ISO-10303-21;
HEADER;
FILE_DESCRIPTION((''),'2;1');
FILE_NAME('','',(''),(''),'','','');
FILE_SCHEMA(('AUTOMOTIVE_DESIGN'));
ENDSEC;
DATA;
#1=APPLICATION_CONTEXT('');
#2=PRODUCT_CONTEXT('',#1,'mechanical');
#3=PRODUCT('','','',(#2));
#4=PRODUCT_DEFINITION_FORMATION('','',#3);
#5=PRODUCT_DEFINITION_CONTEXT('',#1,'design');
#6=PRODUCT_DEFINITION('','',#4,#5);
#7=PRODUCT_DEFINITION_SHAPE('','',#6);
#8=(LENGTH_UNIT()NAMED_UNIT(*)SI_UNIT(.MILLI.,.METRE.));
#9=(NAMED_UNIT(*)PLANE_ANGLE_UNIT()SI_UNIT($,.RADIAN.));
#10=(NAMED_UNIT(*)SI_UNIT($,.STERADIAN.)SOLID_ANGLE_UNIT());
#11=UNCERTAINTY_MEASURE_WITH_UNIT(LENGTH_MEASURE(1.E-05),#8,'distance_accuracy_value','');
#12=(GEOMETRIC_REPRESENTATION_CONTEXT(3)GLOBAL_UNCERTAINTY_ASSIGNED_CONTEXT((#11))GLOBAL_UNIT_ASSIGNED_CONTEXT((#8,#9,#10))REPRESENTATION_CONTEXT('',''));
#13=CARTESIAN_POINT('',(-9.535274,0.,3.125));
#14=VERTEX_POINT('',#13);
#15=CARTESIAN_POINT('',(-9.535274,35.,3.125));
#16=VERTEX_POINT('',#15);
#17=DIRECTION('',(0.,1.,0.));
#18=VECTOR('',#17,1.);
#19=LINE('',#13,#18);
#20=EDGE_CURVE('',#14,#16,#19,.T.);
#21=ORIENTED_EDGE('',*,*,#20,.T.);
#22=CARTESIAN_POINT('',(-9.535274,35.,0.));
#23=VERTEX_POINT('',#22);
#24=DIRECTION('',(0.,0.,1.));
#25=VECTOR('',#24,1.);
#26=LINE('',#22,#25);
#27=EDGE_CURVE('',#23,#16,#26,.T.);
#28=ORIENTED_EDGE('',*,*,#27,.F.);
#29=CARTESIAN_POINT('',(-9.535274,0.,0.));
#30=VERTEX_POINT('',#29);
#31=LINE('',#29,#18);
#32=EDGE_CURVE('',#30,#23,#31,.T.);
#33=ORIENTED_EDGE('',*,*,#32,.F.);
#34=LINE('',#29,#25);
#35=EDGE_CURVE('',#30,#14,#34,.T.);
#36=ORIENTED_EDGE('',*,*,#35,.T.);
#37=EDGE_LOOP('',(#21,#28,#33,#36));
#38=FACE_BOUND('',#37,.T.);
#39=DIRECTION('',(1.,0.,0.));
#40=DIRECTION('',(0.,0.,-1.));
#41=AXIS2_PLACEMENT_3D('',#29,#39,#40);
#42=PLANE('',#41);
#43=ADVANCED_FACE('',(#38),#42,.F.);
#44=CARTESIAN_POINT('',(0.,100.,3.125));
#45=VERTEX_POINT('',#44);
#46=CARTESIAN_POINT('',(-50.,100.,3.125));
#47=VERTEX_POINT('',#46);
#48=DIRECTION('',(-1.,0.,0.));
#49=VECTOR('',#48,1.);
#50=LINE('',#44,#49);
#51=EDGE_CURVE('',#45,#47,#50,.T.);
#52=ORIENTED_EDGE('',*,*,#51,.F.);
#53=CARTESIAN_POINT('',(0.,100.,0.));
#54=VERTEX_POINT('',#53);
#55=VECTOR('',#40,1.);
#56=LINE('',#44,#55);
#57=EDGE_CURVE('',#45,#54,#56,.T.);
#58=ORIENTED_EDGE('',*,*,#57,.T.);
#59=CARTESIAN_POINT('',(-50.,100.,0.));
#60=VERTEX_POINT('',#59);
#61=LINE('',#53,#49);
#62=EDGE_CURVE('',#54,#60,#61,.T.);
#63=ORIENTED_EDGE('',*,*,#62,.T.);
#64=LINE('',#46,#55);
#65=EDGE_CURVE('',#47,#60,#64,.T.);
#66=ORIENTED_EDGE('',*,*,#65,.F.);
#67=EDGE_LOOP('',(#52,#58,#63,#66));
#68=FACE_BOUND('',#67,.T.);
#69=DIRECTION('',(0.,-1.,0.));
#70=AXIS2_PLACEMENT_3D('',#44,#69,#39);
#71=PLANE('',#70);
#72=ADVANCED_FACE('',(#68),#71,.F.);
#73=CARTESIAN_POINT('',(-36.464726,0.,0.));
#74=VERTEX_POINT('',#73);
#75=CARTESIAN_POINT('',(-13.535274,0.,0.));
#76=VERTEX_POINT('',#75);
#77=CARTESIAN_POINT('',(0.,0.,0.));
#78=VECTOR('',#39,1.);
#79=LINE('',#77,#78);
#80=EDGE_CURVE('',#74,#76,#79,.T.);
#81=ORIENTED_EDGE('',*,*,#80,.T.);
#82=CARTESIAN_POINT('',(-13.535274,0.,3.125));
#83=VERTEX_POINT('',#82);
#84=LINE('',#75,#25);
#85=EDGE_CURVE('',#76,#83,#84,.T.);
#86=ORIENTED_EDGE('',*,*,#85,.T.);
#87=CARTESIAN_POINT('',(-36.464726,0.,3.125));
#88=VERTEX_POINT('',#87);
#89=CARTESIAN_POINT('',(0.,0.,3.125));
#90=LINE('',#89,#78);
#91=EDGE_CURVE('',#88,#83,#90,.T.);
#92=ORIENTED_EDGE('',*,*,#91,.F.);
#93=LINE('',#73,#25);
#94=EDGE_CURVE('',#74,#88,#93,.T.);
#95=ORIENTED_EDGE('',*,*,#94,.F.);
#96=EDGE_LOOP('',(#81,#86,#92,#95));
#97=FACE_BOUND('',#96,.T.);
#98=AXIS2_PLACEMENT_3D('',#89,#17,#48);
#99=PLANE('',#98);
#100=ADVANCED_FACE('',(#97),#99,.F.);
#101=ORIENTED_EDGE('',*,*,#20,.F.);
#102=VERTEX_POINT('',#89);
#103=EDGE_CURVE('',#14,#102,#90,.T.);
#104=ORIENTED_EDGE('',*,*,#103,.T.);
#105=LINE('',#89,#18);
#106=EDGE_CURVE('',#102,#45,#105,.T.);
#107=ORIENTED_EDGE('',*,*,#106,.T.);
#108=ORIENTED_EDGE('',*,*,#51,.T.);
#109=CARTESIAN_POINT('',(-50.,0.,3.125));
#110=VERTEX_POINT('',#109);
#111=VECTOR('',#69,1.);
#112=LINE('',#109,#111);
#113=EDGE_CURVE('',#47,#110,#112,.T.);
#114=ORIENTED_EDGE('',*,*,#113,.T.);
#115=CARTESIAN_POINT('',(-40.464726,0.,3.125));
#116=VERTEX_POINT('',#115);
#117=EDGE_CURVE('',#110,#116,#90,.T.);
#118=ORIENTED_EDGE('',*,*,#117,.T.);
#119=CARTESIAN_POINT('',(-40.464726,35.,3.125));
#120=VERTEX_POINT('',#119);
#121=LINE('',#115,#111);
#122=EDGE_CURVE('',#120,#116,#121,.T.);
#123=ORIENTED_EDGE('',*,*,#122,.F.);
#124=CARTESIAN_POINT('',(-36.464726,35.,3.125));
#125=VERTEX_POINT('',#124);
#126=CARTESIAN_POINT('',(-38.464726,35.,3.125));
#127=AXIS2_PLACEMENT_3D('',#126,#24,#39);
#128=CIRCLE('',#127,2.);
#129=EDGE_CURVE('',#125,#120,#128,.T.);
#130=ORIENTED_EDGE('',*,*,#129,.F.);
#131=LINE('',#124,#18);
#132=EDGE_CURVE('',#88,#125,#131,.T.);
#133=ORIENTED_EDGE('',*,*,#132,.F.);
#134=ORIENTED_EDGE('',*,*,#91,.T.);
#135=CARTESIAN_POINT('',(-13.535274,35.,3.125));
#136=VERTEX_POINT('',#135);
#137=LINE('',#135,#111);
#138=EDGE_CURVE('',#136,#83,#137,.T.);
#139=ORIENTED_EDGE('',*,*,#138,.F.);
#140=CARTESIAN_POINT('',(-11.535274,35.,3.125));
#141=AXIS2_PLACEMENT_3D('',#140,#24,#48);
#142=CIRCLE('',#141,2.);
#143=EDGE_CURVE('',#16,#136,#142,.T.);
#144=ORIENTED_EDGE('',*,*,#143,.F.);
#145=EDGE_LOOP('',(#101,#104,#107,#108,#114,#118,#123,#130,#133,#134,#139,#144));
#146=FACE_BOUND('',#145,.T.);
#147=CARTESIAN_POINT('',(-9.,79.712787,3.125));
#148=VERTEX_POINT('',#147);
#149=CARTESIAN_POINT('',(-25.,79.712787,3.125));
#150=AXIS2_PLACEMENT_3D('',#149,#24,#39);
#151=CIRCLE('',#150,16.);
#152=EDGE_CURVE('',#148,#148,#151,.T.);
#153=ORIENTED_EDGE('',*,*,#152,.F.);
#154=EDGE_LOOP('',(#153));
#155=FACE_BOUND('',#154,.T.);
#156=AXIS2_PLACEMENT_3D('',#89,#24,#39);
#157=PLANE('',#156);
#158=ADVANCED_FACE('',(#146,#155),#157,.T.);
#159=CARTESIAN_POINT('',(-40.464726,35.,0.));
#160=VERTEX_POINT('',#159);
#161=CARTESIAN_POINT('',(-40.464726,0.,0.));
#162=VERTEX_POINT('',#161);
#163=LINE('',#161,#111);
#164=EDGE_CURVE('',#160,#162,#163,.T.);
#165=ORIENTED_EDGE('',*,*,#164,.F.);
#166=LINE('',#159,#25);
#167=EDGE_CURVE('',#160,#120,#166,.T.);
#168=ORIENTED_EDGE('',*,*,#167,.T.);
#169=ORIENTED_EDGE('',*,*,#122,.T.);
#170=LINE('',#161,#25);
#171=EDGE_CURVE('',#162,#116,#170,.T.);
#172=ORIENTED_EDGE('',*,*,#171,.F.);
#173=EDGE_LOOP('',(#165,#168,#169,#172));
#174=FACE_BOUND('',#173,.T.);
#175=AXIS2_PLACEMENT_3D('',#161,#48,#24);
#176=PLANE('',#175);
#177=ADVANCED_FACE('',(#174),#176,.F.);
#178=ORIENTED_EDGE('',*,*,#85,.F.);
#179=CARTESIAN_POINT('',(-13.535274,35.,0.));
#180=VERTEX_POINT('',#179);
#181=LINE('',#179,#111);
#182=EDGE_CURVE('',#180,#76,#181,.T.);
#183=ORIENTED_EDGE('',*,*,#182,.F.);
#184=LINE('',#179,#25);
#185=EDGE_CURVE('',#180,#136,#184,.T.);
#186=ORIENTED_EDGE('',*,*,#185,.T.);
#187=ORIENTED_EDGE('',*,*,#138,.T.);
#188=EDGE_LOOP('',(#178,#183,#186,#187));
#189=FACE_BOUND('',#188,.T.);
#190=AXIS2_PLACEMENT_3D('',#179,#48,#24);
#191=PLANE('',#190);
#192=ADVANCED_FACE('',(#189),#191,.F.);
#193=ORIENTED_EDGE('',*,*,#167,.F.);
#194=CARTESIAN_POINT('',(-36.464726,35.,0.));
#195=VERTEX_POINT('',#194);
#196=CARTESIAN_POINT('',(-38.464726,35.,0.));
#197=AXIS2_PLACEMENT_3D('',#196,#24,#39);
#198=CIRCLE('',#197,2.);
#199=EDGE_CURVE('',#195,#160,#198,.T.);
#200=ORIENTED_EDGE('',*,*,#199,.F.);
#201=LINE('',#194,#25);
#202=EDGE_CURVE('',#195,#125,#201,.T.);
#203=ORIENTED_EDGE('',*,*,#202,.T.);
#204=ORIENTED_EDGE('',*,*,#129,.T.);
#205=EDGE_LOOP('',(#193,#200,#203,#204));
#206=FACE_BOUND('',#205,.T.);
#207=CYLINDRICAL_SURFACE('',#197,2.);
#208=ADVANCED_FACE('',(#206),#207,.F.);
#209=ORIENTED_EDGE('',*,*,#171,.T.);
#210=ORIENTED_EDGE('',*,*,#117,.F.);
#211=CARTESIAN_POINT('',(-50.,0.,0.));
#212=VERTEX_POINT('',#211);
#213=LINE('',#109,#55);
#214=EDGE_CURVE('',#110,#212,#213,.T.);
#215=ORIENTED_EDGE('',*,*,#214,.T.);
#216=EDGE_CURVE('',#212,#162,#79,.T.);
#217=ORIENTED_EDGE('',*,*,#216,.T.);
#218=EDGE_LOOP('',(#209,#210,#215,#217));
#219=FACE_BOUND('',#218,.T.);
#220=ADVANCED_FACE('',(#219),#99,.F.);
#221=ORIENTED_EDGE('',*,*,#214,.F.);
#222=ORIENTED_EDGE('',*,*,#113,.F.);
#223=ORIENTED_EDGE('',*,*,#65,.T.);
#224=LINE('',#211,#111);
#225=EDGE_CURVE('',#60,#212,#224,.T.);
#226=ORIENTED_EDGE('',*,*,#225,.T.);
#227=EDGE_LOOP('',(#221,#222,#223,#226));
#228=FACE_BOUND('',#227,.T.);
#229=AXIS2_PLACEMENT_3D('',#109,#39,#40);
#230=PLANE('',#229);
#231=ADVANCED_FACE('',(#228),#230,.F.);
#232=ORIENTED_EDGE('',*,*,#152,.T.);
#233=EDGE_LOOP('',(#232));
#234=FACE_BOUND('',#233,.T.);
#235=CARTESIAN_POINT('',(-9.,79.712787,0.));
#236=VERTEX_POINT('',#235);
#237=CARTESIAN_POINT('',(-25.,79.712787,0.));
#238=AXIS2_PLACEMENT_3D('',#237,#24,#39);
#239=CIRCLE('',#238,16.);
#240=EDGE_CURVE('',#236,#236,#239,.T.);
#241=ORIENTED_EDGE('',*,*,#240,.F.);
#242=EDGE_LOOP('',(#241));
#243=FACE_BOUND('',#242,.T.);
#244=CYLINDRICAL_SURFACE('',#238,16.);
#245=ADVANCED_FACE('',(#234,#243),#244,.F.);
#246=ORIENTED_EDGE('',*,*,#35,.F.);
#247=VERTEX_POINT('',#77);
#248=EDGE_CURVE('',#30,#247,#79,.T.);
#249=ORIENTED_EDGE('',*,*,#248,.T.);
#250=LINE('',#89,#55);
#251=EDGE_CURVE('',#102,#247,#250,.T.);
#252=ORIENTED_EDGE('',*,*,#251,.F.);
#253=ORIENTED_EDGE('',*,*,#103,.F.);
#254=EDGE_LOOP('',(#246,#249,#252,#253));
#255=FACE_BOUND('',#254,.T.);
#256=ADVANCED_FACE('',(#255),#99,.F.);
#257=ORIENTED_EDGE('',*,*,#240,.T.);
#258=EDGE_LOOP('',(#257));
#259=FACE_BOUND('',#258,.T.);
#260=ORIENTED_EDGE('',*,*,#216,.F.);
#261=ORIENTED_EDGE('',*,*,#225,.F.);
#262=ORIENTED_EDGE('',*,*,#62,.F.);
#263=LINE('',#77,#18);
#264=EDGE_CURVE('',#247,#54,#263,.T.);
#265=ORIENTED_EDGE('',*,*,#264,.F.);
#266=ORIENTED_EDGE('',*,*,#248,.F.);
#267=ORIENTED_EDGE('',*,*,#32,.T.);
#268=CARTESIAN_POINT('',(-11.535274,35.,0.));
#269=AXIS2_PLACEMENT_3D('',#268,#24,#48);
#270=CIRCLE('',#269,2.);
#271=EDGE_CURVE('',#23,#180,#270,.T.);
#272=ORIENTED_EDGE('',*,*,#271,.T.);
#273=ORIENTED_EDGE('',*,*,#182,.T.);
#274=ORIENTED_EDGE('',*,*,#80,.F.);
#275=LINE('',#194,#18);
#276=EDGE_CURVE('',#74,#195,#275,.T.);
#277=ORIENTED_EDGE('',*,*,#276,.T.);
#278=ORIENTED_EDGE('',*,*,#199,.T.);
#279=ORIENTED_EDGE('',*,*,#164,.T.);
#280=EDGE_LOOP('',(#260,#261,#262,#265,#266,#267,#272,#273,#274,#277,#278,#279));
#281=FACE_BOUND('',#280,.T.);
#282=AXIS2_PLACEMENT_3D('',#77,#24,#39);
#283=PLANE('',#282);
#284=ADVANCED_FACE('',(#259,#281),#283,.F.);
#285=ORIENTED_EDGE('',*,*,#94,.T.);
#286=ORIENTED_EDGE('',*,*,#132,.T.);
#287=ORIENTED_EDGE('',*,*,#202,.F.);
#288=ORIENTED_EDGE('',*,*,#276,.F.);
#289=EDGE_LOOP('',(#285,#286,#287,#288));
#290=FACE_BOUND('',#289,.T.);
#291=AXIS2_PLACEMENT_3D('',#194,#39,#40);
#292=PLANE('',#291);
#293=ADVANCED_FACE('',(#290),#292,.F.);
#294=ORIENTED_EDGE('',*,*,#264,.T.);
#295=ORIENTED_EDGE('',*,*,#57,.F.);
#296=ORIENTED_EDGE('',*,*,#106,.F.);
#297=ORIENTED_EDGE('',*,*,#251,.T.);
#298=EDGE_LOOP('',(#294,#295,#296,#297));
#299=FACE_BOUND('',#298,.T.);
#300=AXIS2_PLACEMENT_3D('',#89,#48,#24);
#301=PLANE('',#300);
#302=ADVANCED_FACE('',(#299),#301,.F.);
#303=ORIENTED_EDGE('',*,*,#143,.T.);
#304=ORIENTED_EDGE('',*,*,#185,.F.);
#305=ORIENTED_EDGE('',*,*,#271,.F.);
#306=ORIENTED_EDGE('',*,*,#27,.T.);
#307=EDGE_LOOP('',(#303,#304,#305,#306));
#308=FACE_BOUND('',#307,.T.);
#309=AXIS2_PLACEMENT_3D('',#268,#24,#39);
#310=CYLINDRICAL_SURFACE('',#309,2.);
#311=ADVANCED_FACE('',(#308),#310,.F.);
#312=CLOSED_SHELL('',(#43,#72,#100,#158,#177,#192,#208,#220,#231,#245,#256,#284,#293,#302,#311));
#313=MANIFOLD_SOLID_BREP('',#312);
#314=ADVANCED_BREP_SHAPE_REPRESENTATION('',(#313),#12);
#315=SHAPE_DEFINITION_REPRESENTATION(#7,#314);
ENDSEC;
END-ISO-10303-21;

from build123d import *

# Parameters (mm, degrees)
ESBO_O1_W                = 50
ESBO_O1_H                = 100
RESSALTO_EXTRUS_O1_DEPTH = 3.125
ESBO_O2_R                = 16
CORTE_EXTRUS_O1_DEPTH    = 3.125


with BuildPart() as part:
    # Esboço1 → Ressalto-extrusão1 (new body)
    with BuildSketch(Plane.XY):
        with Locations((-25, 50)):
            Rectangle(ESBO_O1_W, ESBO_O1_H)
    extrude(amount=RESSALTO_EXTRUS_O1_DEPTH)

    # Esboço2 → Corte-extrusão1 (cut)
    with BuildSketch(Plane.XY.offset(3.125)):
        with Locations((-25, 79.712786513)):
            Circle(ESBO_O2_R)
        with BuildLine():
            Line((-36.464726097, 35), (-36.464726097, 0))
            Line((-36.464726097, 0), (-40.464726097, 0))
            Line((-40.464726097, 0), (-40.464726097, 35))
            ThreePointArc((-40.464726097, 35), (-38.464726097, 37), (-36.464726097, 35))
        make_face()
        with BuildLine():
            Line((-13.535273903, 35), (-13.535273903, 0))
            Line((-13.535273903, 0), (-9.535273903, 0))
            Line((-9.535273903, 0), (-9.535273903, 35))
            ThreePointArc((-9.535273903, 35), (-11.535273903, 37), (-13.535273903, 35))
        make_face()
    extrude(amount=-CORTE_EXTRUS_O1_DEPTH, mode=Mode.SUBTRACT)


solid = part.part
